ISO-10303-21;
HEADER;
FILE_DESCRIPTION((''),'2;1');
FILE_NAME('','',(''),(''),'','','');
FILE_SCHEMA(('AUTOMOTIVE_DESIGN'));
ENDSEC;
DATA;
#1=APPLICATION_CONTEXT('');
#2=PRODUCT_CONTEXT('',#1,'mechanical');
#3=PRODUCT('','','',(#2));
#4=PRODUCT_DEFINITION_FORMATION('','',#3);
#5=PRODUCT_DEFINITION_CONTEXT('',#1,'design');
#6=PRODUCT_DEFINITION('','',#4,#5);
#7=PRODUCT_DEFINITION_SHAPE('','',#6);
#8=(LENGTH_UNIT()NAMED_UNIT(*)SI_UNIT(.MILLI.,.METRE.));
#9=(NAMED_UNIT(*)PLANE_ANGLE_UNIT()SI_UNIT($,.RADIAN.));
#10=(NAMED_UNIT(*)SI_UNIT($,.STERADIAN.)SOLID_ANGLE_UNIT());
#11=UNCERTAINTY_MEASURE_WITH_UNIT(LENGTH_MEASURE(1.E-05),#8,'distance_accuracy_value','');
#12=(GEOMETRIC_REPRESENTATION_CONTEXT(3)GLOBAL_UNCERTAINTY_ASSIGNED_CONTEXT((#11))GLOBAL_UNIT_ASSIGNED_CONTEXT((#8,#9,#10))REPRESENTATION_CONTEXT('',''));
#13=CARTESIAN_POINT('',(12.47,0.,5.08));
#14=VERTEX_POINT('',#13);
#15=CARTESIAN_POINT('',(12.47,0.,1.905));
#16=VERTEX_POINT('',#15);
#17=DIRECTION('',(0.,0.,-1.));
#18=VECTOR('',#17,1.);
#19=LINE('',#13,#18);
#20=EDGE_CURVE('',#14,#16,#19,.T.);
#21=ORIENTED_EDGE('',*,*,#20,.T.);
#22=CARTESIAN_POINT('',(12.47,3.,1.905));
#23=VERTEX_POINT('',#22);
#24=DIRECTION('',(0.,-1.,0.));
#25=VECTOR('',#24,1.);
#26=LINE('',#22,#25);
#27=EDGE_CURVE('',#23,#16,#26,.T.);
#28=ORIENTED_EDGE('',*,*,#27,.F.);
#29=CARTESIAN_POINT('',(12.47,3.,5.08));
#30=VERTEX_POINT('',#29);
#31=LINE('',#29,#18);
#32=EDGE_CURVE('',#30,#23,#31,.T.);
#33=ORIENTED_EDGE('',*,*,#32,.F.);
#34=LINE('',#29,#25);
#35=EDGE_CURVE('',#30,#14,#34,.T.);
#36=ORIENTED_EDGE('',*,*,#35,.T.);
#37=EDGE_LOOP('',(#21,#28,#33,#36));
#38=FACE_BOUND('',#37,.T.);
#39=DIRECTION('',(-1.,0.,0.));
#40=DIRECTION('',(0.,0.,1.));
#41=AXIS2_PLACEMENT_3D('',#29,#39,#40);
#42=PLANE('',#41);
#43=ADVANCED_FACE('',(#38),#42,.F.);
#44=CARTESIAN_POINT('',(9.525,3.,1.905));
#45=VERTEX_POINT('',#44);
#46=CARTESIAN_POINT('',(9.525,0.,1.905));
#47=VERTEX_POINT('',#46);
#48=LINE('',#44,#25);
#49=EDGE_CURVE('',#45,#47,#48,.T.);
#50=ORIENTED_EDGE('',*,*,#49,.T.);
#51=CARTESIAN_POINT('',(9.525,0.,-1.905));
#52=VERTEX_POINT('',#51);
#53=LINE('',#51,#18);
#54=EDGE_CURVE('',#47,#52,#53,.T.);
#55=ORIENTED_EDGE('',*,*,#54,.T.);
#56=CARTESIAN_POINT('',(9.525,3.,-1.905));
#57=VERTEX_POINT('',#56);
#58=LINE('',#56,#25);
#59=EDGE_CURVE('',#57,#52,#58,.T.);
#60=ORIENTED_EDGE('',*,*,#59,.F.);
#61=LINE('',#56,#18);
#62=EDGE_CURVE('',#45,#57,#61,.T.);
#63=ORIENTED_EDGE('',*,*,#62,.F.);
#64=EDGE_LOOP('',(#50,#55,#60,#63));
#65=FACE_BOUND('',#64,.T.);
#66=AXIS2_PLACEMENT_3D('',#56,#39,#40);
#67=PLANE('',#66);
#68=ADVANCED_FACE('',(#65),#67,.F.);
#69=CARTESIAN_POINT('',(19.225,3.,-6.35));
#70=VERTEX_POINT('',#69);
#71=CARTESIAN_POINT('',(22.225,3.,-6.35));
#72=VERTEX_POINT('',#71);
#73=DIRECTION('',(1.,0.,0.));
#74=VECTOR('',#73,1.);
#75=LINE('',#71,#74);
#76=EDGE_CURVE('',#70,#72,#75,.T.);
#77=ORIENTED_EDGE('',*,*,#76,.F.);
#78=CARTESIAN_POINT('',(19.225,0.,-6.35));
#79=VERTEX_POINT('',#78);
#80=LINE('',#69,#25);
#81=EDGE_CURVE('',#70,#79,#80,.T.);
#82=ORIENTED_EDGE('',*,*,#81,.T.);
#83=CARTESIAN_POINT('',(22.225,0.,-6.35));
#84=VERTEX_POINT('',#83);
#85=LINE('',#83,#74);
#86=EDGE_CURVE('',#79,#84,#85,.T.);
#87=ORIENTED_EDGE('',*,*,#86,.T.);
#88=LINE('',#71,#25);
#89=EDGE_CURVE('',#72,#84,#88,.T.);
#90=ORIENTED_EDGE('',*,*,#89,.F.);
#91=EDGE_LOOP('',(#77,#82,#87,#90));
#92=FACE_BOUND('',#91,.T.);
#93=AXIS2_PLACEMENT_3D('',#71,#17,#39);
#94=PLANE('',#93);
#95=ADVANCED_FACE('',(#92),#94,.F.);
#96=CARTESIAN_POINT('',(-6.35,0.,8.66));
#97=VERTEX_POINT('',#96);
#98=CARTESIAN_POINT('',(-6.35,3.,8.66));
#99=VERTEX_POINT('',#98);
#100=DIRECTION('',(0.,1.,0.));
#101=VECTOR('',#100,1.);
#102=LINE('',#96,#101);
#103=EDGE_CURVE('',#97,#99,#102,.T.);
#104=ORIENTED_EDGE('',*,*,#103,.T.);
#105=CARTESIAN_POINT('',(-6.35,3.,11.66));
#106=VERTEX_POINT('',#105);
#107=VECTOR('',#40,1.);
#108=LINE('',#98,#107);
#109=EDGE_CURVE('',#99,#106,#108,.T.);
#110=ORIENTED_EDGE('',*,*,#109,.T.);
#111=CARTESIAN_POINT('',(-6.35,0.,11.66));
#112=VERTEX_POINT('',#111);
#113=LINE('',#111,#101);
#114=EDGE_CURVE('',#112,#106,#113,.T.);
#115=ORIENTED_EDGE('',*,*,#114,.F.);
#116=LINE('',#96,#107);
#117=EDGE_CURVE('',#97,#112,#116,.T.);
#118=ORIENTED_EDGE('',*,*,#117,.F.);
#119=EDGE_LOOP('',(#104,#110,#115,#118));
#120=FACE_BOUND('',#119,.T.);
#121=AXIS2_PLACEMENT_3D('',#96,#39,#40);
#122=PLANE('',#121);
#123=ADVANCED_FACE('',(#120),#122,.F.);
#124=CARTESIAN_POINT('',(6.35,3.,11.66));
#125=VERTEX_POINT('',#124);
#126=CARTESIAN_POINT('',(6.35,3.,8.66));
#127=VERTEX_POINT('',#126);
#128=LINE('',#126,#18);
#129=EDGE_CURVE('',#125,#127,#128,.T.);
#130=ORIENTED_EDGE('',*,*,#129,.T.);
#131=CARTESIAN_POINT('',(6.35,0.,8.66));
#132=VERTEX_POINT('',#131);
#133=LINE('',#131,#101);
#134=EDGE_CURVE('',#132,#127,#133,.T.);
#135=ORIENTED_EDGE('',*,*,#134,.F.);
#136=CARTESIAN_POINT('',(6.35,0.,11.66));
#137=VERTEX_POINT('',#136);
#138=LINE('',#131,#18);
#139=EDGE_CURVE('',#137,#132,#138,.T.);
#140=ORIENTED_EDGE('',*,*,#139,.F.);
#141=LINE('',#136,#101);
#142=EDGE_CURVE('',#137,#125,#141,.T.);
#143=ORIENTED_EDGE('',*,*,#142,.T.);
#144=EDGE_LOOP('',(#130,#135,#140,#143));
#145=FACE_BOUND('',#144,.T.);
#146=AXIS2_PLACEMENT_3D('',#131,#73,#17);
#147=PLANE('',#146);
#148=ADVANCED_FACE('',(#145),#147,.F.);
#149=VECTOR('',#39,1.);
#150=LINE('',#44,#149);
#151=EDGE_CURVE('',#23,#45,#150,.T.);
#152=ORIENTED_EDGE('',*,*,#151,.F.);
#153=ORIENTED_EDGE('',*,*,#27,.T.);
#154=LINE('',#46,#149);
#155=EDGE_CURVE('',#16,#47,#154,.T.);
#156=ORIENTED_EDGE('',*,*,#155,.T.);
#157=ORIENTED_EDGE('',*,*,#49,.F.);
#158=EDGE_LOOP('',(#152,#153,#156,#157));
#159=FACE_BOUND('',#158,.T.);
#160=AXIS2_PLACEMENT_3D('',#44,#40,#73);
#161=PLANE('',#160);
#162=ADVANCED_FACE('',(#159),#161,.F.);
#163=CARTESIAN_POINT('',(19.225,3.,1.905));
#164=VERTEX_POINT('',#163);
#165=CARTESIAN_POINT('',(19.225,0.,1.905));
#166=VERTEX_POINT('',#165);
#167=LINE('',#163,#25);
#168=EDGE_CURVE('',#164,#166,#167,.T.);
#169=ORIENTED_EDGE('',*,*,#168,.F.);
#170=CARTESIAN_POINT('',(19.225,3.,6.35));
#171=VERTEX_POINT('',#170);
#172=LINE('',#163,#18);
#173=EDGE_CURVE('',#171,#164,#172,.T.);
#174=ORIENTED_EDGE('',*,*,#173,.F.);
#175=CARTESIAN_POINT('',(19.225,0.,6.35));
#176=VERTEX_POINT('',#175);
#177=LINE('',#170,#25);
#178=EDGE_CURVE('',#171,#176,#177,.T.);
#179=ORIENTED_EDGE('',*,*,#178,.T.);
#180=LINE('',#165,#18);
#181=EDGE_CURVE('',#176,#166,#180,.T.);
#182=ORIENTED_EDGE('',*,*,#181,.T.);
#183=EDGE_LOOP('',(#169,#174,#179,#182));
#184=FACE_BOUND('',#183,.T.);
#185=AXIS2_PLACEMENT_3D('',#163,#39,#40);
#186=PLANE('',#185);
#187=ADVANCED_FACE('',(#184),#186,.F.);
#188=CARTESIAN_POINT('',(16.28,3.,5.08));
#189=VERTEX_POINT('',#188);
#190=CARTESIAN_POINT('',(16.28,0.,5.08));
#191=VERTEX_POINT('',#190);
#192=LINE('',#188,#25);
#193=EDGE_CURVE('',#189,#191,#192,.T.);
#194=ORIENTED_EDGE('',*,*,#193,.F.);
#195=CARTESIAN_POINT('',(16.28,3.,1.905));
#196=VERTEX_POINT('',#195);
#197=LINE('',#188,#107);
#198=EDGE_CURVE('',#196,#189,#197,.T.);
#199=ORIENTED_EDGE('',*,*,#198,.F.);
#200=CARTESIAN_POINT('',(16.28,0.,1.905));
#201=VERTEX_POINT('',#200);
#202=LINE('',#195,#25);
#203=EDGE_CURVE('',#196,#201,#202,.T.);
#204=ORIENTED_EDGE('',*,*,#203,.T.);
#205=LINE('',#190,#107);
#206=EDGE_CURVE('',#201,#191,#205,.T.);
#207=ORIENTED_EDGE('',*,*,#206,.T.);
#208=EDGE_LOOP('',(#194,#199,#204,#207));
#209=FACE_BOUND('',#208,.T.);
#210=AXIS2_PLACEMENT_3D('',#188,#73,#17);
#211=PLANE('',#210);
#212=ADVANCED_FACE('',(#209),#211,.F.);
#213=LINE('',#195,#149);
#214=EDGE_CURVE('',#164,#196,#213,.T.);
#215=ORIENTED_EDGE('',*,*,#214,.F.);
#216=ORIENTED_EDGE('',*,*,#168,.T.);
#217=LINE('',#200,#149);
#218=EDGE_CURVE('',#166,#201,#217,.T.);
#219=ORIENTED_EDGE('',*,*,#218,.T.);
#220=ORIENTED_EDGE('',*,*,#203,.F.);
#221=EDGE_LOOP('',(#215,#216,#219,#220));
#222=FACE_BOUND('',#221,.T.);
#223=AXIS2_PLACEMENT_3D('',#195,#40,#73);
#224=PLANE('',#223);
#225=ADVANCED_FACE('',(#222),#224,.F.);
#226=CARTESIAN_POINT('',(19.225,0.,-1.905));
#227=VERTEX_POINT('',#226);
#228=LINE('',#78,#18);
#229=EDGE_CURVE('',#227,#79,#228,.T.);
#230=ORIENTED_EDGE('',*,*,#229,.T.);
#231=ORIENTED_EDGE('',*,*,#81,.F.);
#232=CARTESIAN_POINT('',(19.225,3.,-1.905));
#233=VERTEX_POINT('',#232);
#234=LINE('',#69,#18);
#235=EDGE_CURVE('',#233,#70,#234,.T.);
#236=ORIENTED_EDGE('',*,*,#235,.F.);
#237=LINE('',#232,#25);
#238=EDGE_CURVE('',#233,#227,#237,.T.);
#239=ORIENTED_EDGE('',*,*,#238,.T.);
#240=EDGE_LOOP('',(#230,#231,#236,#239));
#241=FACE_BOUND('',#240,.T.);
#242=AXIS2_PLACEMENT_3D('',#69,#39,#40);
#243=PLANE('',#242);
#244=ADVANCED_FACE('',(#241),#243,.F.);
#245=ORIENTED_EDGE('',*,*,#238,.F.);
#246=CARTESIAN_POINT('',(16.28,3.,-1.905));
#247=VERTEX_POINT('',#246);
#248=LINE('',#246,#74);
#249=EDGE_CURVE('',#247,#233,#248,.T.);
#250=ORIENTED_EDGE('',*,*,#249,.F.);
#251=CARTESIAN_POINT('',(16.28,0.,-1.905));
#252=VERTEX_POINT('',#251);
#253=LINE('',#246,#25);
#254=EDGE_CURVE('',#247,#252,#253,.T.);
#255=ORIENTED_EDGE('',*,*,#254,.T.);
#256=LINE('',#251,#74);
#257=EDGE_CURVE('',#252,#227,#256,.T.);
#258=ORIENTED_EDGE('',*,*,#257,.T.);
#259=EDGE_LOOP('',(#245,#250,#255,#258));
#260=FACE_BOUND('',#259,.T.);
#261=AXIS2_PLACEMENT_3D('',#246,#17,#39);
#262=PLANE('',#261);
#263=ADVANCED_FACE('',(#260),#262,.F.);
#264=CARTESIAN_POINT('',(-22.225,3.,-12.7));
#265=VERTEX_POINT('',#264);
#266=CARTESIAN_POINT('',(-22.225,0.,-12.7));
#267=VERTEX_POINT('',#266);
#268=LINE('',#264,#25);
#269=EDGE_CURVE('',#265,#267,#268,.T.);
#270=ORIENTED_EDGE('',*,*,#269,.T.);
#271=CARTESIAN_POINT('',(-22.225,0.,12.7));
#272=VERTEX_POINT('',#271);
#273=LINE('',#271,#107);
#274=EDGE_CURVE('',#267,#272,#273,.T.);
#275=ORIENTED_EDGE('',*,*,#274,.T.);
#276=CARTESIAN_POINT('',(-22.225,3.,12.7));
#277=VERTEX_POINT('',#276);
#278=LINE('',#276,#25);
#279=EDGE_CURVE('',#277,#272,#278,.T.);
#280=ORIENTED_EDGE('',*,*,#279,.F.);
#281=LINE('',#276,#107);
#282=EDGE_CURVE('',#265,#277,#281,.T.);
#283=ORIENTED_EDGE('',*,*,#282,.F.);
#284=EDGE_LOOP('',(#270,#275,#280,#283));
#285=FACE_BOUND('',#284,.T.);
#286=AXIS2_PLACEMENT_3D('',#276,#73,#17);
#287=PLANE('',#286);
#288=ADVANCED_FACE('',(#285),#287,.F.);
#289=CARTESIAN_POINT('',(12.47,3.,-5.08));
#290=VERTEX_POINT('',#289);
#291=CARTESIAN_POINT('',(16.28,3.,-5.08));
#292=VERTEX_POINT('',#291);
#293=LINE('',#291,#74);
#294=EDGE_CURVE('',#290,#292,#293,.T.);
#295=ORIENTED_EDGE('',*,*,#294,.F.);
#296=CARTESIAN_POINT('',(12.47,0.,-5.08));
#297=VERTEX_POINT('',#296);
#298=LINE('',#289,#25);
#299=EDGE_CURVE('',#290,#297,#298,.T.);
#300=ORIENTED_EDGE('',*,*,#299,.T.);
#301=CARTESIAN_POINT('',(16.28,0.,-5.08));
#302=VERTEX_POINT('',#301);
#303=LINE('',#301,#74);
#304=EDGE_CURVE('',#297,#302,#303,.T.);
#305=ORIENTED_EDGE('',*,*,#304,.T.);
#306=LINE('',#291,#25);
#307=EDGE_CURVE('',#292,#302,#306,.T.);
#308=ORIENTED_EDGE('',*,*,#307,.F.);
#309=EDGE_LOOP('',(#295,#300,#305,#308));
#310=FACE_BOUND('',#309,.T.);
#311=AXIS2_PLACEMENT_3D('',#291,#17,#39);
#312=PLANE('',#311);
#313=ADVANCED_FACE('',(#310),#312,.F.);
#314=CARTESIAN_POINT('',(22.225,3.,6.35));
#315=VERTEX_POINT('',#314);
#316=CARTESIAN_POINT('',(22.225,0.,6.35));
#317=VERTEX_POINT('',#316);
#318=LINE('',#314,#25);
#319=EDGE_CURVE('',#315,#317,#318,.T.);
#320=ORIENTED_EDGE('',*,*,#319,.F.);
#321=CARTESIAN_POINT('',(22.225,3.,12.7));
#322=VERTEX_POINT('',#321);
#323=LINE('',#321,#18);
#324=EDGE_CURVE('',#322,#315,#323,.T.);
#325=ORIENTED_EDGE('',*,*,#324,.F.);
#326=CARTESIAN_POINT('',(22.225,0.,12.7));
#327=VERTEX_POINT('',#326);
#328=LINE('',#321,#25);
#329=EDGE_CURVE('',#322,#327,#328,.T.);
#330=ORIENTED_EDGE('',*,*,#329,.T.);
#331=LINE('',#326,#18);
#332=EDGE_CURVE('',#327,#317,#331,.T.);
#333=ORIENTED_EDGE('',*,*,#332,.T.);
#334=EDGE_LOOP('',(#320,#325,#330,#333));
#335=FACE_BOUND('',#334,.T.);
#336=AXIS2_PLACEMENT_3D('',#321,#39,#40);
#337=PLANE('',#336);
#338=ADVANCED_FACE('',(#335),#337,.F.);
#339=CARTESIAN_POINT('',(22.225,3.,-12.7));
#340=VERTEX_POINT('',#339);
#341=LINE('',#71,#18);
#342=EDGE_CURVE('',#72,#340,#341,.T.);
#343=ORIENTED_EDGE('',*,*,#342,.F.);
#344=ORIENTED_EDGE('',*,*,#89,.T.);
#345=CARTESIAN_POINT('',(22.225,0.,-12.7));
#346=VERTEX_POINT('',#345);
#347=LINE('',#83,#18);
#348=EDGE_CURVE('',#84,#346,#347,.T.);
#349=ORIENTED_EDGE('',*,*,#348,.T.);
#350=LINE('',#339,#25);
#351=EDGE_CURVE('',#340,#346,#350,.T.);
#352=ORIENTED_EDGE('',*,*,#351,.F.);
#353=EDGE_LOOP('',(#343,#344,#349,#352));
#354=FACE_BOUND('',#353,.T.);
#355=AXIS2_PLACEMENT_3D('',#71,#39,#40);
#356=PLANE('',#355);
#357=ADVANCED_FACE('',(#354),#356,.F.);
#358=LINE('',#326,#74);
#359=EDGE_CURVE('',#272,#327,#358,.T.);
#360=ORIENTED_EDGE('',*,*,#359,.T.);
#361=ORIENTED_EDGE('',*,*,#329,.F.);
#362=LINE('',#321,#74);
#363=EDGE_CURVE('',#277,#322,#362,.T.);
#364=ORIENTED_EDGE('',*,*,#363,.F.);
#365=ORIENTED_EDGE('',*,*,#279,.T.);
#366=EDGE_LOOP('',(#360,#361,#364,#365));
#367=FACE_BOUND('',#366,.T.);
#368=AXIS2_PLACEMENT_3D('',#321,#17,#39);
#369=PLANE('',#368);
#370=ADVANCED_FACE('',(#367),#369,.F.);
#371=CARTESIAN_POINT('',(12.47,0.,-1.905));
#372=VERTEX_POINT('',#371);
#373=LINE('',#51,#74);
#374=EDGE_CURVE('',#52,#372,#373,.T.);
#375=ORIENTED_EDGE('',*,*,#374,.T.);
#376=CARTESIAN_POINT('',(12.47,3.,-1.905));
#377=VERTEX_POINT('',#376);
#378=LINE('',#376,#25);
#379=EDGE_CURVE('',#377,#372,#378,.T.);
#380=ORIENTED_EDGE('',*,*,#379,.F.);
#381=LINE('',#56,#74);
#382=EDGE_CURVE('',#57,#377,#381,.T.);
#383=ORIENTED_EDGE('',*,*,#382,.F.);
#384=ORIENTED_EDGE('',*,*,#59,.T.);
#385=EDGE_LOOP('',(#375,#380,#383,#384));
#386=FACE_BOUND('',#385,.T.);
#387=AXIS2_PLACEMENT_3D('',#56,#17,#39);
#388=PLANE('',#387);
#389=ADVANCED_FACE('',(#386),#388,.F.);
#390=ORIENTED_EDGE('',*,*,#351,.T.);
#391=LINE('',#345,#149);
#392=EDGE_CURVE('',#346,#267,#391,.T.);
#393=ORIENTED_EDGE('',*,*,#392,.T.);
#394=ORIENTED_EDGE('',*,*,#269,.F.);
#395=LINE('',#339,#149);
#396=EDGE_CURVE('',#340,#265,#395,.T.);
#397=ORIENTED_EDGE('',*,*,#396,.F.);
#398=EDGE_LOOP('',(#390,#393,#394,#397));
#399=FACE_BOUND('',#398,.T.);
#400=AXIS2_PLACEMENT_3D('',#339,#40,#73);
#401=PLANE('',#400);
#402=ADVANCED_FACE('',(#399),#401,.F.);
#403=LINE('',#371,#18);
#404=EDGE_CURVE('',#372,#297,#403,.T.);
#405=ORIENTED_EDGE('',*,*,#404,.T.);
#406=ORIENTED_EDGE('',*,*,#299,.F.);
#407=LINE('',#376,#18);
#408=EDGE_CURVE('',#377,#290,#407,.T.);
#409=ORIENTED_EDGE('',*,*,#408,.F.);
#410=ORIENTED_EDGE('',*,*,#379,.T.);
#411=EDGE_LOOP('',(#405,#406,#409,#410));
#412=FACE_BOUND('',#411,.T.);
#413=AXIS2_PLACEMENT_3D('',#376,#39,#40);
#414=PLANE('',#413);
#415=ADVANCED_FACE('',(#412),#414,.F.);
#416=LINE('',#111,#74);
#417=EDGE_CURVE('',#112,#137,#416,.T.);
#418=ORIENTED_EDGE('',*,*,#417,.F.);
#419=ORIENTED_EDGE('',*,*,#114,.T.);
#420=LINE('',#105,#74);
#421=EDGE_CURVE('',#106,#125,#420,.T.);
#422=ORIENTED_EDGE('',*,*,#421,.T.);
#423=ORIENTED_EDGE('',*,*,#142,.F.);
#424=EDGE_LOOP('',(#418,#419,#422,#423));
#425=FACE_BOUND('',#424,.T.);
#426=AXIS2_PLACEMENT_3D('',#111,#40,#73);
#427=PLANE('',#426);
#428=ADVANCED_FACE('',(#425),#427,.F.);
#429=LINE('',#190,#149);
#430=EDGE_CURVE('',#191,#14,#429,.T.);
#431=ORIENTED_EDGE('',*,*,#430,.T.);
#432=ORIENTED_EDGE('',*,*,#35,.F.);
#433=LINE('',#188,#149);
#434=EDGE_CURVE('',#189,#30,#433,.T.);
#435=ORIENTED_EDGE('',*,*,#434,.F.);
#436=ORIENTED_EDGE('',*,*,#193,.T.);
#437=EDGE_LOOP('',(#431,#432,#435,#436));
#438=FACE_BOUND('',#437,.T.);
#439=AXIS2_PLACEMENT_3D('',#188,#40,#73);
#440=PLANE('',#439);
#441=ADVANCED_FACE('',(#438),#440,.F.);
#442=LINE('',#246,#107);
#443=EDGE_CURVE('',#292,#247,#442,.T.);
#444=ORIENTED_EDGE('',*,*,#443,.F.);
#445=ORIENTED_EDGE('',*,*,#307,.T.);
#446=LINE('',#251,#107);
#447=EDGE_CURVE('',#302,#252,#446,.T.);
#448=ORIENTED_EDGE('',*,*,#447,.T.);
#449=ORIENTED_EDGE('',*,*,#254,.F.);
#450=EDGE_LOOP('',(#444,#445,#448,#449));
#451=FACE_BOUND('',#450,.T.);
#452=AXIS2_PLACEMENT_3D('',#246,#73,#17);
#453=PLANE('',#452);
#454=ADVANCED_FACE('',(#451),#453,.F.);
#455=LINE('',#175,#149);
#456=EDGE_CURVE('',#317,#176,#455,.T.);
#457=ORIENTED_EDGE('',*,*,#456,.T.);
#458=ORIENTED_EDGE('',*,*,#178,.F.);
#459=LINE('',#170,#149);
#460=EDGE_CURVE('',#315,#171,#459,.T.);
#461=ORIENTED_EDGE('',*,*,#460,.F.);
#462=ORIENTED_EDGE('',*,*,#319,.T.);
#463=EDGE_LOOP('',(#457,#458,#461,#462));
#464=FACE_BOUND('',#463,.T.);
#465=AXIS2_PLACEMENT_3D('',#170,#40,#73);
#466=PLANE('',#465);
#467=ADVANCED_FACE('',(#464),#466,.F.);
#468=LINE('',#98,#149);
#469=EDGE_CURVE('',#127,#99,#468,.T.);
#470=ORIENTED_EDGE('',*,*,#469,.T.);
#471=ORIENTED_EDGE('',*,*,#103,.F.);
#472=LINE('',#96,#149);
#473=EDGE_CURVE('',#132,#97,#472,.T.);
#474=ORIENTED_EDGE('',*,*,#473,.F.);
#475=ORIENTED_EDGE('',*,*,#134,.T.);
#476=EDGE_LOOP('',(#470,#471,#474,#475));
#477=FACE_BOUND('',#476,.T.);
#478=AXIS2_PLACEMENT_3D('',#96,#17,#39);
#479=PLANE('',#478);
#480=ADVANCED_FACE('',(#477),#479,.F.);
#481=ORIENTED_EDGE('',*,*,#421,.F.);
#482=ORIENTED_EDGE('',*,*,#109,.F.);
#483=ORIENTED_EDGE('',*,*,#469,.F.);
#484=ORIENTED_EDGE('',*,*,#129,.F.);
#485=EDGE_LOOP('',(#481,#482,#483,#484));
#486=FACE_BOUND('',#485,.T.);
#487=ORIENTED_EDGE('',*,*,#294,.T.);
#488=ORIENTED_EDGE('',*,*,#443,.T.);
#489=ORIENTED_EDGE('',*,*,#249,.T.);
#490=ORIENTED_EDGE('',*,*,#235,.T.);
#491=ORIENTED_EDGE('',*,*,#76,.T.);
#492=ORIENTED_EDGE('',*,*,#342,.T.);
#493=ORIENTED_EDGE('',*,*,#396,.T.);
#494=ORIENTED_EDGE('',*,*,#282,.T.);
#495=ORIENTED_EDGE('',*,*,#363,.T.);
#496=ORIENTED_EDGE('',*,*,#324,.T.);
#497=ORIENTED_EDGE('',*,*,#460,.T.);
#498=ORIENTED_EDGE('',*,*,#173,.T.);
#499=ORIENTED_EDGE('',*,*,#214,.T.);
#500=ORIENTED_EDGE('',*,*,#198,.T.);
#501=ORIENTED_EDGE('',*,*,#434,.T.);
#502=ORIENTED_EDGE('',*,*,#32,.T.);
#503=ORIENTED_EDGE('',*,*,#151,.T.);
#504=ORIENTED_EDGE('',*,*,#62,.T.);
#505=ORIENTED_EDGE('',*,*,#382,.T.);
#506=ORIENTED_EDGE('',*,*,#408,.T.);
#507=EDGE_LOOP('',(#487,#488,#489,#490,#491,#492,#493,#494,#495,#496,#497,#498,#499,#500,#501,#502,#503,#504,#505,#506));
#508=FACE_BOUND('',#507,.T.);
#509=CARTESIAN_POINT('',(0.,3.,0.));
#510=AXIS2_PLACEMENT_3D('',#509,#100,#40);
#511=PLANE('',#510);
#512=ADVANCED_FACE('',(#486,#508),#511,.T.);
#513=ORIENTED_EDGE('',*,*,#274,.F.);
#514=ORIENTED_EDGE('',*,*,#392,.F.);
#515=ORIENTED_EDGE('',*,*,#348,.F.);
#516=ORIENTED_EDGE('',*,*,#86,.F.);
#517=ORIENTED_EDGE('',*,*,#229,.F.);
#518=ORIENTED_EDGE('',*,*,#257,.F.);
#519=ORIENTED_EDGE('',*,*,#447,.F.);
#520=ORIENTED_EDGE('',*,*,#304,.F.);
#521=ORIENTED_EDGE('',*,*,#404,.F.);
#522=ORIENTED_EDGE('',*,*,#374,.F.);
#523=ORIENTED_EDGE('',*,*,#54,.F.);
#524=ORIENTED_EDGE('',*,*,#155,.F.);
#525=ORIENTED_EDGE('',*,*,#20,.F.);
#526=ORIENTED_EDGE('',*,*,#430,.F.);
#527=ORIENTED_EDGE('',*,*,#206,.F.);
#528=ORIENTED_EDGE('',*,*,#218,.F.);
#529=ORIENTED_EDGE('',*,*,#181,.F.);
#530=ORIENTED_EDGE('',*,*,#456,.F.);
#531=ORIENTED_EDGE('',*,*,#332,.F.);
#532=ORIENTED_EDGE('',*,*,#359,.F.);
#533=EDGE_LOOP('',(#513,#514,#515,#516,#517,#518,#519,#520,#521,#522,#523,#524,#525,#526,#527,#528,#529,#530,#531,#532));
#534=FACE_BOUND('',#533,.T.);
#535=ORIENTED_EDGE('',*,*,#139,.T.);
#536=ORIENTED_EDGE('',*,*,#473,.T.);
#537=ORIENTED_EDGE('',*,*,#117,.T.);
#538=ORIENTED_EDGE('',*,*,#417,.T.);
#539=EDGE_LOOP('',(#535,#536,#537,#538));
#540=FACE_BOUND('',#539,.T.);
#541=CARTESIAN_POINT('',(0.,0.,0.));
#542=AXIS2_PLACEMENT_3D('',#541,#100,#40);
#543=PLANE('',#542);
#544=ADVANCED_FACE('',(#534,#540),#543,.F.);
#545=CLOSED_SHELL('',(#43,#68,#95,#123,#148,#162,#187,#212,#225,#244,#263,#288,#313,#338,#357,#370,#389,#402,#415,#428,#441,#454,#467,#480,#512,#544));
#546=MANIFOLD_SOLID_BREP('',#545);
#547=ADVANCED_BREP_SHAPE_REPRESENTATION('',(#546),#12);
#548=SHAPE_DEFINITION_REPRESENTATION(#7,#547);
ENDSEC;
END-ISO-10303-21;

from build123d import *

# Parameters (mm, degrees)
BOSS_EXTRUDE1_DEPTH = 3
SKETCH2_W           = 12.7
SKETCH2_H           = 3
CUT_EXTRUDE1_DEPTH  = 26.772866061


with BuildPart() as part:
    # Sketch1 → Boss-Extrude1 (new body)
    with BuildSketch(Plane(origin=(0, 0, 0), x_dir=(1, 0, 0), z_dir=(0, 1, 0))):
        Polygon((22.225, 6.35), (19.225, 6.35), (19.225, 1.905), (16.28, 1.905), (16.28, 5.08), (12.47, 5.08), (12.47, 1.905), (9.525, 1.905), (9.525, -1.905), (12.47, -1.905), (12.47, -5.08), (16.28, -5.08), (16.28, -1.905), (19.225, -1.905), (19.225, -6.35), (22.225, -6.35), (22.225, -12.7), (-22.225, -12.7), (-22.225, 12.7), (22.225, 12.7), align=None)
    extrude(amount=BOSS_EXTRUDE1_DEPTH)

    # Sketch2 → Cut-Extrude1 (cut, through all)
    with BuildSketch(Plane(origin=(0, 3, 0), x_dir=(1, 0, 0), z_dir=(0, 1, 0))):
        with Locations((0, -10.16)):
            Rectangle(SKETCH2_W, SKETCH2_H)
    extrude(amount=-CUT_EXTRUDE1_DEPTH, mode=Mode.SUBTRACT)


solid = part.part
